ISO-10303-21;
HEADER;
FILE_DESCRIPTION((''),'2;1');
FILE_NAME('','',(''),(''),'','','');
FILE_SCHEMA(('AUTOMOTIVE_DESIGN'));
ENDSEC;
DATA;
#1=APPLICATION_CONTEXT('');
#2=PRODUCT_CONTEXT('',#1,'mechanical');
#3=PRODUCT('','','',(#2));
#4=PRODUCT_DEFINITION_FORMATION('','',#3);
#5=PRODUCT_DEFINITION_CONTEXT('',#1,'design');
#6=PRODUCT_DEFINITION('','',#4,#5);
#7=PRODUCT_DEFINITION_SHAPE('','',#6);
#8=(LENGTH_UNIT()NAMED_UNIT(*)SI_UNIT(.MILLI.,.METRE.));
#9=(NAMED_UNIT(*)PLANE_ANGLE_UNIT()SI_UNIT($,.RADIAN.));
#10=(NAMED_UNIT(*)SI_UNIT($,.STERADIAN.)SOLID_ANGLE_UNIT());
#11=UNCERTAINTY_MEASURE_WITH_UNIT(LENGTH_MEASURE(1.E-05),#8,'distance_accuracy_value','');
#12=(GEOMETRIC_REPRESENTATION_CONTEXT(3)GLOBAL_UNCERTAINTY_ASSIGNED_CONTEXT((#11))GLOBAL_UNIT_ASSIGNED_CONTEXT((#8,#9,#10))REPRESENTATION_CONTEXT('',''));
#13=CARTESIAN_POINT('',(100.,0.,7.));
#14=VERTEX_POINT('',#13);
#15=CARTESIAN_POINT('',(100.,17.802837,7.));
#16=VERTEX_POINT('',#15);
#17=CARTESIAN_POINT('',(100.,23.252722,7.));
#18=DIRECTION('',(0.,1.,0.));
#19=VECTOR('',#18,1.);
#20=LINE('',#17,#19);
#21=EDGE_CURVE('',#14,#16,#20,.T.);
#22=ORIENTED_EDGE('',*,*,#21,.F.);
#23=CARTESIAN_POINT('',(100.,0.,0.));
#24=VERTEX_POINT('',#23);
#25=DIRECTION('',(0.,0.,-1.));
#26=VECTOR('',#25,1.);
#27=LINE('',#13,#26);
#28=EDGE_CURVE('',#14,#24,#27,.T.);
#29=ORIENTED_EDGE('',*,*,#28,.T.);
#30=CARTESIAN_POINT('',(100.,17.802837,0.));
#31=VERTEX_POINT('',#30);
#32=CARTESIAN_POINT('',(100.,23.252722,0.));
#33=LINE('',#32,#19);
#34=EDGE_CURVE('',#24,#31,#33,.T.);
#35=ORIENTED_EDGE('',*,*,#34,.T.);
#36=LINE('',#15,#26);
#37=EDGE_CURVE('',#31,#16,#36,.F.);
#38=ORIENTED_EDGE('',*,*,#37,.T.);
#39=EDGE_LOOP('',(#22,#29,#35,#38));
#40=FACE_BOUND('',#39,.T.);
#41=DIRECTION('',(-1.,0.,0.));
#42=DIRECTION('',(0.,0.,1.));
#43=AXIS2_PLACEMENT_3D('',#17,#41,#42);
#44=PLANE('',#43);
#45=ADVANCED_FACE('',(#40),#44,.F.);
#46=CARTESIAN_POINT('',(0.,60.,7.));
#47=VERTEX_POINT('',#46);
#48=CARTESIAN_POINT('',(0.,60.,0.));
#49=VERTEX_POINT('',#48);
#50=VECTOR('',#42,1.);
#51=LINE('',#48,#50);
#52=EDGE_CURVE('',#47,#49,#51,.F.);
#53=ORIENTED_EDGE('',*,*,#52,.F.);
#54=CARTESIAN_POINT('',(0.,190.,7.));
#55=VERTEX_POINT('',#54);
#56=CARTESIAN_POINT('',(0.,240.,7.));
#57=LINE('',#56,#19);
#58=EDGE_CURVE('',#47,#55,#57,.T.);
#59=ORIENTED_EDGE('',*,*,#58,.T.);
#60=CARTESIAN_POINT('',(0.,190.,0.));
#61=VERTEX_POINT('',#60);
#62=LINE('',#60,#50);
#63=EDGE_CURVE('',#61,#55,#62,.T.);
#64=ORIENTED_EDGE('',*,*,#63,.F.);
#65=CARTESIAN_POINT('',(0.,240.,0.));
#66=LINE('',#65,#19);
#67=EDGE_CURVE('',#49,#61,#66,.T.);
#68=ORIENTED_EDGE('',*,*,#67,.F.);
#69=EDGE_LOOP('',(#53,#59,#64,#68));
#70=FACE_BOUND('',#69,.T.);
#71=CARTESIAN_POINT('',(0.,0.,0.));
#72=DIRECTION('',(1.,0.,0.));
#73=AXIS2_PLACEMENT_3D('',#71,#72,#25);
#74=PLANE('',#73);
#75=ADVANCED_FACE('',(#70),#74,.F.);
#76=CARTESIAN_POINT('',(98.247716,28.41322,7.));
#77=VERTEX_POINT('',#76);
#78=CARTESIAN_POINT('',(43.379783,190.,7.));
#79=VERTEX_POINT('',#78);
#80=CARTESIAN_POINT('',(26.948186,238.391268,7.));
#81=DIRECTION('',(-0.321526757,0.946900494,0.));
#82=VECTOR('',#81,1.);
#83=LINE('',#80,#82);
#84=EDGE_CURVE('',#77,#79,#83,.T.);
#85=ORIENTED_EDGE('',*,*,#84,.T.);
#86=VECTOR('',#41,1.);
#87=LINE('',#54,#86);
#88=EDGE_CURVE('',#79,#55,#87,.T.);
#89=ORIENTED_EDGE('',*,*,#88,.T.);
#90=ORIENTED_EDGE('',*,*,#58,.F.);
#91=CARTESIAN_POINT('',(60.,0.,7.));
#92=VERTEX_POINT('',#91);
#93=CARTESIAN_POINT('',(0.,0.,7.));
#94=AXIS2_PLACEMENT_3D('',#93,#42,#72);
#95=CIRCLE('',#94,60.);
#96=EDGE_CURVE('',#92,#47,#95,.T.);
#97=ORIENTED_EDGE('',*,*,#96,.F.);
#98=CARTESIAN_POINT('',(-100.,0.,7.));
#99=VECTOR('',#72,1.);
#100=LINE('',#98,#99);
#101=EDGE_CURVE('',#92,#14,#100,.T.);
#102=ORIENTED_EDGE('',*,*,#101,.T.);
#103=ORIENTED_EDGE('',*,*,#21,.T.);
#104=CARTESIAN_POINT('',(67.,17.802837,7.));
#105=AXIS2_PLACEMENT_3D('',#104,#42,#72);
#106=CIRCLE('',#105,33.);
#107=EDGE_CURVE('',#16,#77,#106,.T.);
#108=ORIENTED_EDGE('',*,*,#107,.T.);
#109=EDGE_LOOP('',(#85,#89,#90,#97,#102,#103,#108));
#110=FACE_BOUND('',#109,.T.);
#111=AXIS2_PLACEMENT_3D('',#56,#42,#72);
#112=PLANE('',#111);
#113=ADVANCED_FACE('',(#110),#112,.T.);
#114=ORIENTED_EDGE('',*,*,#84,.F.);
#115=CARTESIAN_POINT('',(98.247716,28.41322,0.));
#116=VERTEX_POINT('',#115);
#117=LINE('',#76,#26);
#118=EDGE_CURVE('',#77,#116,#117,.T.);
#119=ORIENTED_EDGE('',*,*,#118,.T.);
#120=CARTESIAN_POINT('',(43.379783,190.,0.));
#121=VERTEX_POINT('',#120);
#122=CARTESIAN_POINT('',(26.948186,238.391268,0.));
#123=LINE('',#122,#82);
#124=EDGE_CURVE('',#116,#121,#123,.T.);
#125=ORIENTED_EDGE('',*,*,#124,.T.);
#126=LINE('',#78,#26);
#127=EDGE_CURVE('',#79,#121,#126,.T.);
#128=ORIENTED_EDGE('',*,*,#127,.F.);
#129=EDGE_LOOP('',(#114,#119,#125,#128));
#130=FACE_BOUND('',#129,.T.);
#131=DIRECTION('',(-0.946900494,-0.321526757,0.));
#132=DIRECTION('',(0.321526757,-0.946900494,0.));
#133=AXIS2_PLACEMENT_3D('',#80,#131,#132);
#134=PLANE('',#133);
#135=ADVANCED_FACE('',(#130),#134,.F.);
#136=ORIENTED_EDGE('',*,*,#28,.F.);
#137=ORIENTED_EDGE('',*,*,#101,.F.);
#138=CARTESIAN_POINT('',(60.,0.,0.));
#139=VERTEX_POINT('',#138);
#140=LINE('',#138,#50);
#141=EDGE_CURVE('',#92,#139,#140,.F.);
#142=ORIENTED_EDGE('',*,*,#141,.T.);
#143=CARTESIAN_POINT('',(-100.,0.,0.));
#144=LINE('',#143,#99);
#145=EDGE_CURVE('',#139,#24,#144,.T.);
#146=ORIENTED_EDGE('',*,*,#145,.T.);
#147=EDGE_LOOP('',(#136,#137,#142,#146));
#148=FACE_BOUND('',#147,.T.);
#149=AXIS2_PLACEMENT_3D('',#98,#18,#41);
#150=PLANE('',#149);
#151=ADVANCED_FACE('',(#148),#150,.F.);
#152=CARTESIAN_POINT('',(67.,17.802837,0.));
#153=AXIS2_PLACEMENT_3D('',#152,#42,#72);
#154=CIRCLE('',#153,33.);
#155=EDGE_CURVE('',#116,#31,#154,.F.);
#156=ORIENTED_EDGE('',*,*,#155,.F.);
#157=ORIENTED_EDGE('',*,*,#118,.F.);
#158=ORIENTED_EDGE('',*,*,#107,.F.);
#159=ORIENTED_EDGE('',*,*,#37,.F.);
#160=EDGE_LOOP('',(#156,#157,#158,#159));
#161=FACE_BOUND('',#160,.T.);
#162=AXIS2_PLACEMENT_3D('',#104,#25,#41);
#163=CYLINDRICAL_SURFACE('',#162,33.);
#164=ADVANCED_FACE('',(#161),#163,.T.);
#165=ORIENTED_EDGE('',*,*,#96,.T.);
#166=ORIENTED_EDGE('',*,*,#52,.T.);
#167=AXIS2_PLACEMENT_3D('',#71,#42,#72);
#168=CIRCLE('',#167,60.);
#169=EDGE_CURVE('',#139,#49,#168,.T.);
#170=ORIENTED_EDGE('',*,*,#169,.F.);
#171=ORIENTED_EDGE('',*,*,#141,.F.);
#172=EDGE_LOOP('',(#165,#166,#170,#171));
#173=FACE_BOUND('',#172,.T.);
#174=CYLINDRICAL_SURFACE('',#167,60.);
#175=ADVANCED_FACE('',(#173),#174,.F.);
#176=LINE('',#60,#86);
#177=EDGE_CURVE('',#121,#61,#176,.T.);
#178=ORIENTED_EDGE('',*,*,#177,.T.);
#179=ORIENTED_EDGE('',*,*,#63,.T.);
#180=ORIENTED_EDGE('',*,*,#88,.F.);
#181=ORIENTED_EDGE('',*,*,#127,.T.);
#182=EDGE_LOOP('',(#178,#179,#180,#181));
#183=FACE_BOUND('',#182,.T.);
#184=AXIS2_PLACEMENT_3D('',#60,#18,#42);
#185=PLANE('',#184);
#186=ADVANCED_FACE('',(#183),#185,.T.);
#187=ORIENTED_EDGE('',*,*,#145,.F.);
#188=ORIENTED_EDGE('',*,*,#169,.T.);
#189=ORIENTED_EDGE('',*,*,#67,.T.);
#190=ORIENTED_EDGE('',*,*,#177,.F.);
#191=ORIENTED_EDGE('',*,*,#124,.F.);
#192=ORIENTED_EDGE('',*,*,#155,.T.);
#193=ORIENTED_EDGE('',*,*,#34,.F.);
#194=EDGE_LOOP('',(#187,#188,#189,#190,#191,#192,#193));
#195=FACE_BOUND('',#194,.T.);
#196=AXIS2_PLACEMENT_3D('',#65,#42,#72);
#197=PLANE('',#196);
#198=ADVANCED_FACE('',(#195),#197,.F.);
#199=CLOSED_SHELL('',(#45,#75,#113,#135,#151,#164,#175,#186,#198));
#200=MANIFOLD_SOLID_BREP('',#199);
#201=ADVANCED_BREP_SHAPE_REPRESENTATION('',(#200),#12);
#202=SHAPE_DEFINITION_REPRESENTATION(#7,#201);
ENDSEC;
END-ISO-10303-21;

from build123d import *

# Parameters (mm, degrees)
BOSS_EXTRUDE1_DEPTH = 7
FILLET1_R           = 33
SKETCH2_R           = 60
CUT_EXTRUDE1_DEPTH  = 259.610511066
SKETCH3_W           = 181.044086137
SKETCH3_H           = 480.78858802
CUT_EXTRUDE2_DEPTH  = 259.610511066
SKETCH4_W           = 169.768954509
SKETCH4_H           = 49.097500459
CUT_EXTRUDE3_DEPTH  = 215.823183106


with BuildPart() as part:
    # Sketch1 → Boss-Extrude1 (new body)
    with BuildSketch(Plane.XY):
        with BuildLine():
            Line((-100, 0), (100, 0))
            Line((100, 0), (100, 23.252721757))
            Line((100, 23.252721757), (26.948185903, 238.391267529))
            Line((26.948185903, 238.391267529), (24.948185903, 238.391267529))
            ThreePointArc((24.948185903, 238.391267529), (0, 215), (-24.948185903, 238.391267529))
            Line((-24.948185903, 238.391267529), (-26.948185903, 238.391267529))
            Line((-26.948185903, 238.391267529), (-100, 23.252721757))
            Line((-100, 23.252721757), (-100, 0))
        make_face()
    extrude(amount=BOSS_EXTRUDE1_DEPTH)

    # Fillet1
    fillet1_edges = [part.edges().sort_by_distance(p)[0] for p in [
        (-100, 23.252721757, 3.5),
        (100, 23.252721757, 3.5),
    ]]
    fillet(fillet1_edges, radius=FILLET1_R)

    # Sketch2 → Cut-Extrude1 (cut, through all)
    with BuildSketch(Plane.XY.offset(7)):
        Circle(SKETCH2_R)
    extrude(amount=-CUT_EXTRUDE1_DEPTH, mode=Mode.SUBTRACT)

    # Sketch3 → Cut-Extrude2 (cut, through all)
    with BuildSketch(Plane(origin=(0, 0, 0), x_dir=(0, 0, -1), z_dir=(1, 0, 0))):
        with Locations((-2.723537344, 108.130535203)):
            Rectangle(SKETCH3_W, SKETCH3_H)
    extrude(amount=-CUT_EXTRUDE2_DEPTH, mode=Mode.SUBTRACT)

    # Sketch4 → Cut-Extrude3 (cut, through all)
    with BuildSketch(Plane(origin=(0, 190, 0), x_dir=(1, 0, 0), z_dir=(0, 1, 0))):
        with Locations((45.695998337, 2.995854363)):
            Rectangle(SKETCH4_W, SKETCH4_H)
    extrude(amount=CUT_EXTRUDE3_DEPTH, mode=Mode.SUBTRACT)


solid = part.part
